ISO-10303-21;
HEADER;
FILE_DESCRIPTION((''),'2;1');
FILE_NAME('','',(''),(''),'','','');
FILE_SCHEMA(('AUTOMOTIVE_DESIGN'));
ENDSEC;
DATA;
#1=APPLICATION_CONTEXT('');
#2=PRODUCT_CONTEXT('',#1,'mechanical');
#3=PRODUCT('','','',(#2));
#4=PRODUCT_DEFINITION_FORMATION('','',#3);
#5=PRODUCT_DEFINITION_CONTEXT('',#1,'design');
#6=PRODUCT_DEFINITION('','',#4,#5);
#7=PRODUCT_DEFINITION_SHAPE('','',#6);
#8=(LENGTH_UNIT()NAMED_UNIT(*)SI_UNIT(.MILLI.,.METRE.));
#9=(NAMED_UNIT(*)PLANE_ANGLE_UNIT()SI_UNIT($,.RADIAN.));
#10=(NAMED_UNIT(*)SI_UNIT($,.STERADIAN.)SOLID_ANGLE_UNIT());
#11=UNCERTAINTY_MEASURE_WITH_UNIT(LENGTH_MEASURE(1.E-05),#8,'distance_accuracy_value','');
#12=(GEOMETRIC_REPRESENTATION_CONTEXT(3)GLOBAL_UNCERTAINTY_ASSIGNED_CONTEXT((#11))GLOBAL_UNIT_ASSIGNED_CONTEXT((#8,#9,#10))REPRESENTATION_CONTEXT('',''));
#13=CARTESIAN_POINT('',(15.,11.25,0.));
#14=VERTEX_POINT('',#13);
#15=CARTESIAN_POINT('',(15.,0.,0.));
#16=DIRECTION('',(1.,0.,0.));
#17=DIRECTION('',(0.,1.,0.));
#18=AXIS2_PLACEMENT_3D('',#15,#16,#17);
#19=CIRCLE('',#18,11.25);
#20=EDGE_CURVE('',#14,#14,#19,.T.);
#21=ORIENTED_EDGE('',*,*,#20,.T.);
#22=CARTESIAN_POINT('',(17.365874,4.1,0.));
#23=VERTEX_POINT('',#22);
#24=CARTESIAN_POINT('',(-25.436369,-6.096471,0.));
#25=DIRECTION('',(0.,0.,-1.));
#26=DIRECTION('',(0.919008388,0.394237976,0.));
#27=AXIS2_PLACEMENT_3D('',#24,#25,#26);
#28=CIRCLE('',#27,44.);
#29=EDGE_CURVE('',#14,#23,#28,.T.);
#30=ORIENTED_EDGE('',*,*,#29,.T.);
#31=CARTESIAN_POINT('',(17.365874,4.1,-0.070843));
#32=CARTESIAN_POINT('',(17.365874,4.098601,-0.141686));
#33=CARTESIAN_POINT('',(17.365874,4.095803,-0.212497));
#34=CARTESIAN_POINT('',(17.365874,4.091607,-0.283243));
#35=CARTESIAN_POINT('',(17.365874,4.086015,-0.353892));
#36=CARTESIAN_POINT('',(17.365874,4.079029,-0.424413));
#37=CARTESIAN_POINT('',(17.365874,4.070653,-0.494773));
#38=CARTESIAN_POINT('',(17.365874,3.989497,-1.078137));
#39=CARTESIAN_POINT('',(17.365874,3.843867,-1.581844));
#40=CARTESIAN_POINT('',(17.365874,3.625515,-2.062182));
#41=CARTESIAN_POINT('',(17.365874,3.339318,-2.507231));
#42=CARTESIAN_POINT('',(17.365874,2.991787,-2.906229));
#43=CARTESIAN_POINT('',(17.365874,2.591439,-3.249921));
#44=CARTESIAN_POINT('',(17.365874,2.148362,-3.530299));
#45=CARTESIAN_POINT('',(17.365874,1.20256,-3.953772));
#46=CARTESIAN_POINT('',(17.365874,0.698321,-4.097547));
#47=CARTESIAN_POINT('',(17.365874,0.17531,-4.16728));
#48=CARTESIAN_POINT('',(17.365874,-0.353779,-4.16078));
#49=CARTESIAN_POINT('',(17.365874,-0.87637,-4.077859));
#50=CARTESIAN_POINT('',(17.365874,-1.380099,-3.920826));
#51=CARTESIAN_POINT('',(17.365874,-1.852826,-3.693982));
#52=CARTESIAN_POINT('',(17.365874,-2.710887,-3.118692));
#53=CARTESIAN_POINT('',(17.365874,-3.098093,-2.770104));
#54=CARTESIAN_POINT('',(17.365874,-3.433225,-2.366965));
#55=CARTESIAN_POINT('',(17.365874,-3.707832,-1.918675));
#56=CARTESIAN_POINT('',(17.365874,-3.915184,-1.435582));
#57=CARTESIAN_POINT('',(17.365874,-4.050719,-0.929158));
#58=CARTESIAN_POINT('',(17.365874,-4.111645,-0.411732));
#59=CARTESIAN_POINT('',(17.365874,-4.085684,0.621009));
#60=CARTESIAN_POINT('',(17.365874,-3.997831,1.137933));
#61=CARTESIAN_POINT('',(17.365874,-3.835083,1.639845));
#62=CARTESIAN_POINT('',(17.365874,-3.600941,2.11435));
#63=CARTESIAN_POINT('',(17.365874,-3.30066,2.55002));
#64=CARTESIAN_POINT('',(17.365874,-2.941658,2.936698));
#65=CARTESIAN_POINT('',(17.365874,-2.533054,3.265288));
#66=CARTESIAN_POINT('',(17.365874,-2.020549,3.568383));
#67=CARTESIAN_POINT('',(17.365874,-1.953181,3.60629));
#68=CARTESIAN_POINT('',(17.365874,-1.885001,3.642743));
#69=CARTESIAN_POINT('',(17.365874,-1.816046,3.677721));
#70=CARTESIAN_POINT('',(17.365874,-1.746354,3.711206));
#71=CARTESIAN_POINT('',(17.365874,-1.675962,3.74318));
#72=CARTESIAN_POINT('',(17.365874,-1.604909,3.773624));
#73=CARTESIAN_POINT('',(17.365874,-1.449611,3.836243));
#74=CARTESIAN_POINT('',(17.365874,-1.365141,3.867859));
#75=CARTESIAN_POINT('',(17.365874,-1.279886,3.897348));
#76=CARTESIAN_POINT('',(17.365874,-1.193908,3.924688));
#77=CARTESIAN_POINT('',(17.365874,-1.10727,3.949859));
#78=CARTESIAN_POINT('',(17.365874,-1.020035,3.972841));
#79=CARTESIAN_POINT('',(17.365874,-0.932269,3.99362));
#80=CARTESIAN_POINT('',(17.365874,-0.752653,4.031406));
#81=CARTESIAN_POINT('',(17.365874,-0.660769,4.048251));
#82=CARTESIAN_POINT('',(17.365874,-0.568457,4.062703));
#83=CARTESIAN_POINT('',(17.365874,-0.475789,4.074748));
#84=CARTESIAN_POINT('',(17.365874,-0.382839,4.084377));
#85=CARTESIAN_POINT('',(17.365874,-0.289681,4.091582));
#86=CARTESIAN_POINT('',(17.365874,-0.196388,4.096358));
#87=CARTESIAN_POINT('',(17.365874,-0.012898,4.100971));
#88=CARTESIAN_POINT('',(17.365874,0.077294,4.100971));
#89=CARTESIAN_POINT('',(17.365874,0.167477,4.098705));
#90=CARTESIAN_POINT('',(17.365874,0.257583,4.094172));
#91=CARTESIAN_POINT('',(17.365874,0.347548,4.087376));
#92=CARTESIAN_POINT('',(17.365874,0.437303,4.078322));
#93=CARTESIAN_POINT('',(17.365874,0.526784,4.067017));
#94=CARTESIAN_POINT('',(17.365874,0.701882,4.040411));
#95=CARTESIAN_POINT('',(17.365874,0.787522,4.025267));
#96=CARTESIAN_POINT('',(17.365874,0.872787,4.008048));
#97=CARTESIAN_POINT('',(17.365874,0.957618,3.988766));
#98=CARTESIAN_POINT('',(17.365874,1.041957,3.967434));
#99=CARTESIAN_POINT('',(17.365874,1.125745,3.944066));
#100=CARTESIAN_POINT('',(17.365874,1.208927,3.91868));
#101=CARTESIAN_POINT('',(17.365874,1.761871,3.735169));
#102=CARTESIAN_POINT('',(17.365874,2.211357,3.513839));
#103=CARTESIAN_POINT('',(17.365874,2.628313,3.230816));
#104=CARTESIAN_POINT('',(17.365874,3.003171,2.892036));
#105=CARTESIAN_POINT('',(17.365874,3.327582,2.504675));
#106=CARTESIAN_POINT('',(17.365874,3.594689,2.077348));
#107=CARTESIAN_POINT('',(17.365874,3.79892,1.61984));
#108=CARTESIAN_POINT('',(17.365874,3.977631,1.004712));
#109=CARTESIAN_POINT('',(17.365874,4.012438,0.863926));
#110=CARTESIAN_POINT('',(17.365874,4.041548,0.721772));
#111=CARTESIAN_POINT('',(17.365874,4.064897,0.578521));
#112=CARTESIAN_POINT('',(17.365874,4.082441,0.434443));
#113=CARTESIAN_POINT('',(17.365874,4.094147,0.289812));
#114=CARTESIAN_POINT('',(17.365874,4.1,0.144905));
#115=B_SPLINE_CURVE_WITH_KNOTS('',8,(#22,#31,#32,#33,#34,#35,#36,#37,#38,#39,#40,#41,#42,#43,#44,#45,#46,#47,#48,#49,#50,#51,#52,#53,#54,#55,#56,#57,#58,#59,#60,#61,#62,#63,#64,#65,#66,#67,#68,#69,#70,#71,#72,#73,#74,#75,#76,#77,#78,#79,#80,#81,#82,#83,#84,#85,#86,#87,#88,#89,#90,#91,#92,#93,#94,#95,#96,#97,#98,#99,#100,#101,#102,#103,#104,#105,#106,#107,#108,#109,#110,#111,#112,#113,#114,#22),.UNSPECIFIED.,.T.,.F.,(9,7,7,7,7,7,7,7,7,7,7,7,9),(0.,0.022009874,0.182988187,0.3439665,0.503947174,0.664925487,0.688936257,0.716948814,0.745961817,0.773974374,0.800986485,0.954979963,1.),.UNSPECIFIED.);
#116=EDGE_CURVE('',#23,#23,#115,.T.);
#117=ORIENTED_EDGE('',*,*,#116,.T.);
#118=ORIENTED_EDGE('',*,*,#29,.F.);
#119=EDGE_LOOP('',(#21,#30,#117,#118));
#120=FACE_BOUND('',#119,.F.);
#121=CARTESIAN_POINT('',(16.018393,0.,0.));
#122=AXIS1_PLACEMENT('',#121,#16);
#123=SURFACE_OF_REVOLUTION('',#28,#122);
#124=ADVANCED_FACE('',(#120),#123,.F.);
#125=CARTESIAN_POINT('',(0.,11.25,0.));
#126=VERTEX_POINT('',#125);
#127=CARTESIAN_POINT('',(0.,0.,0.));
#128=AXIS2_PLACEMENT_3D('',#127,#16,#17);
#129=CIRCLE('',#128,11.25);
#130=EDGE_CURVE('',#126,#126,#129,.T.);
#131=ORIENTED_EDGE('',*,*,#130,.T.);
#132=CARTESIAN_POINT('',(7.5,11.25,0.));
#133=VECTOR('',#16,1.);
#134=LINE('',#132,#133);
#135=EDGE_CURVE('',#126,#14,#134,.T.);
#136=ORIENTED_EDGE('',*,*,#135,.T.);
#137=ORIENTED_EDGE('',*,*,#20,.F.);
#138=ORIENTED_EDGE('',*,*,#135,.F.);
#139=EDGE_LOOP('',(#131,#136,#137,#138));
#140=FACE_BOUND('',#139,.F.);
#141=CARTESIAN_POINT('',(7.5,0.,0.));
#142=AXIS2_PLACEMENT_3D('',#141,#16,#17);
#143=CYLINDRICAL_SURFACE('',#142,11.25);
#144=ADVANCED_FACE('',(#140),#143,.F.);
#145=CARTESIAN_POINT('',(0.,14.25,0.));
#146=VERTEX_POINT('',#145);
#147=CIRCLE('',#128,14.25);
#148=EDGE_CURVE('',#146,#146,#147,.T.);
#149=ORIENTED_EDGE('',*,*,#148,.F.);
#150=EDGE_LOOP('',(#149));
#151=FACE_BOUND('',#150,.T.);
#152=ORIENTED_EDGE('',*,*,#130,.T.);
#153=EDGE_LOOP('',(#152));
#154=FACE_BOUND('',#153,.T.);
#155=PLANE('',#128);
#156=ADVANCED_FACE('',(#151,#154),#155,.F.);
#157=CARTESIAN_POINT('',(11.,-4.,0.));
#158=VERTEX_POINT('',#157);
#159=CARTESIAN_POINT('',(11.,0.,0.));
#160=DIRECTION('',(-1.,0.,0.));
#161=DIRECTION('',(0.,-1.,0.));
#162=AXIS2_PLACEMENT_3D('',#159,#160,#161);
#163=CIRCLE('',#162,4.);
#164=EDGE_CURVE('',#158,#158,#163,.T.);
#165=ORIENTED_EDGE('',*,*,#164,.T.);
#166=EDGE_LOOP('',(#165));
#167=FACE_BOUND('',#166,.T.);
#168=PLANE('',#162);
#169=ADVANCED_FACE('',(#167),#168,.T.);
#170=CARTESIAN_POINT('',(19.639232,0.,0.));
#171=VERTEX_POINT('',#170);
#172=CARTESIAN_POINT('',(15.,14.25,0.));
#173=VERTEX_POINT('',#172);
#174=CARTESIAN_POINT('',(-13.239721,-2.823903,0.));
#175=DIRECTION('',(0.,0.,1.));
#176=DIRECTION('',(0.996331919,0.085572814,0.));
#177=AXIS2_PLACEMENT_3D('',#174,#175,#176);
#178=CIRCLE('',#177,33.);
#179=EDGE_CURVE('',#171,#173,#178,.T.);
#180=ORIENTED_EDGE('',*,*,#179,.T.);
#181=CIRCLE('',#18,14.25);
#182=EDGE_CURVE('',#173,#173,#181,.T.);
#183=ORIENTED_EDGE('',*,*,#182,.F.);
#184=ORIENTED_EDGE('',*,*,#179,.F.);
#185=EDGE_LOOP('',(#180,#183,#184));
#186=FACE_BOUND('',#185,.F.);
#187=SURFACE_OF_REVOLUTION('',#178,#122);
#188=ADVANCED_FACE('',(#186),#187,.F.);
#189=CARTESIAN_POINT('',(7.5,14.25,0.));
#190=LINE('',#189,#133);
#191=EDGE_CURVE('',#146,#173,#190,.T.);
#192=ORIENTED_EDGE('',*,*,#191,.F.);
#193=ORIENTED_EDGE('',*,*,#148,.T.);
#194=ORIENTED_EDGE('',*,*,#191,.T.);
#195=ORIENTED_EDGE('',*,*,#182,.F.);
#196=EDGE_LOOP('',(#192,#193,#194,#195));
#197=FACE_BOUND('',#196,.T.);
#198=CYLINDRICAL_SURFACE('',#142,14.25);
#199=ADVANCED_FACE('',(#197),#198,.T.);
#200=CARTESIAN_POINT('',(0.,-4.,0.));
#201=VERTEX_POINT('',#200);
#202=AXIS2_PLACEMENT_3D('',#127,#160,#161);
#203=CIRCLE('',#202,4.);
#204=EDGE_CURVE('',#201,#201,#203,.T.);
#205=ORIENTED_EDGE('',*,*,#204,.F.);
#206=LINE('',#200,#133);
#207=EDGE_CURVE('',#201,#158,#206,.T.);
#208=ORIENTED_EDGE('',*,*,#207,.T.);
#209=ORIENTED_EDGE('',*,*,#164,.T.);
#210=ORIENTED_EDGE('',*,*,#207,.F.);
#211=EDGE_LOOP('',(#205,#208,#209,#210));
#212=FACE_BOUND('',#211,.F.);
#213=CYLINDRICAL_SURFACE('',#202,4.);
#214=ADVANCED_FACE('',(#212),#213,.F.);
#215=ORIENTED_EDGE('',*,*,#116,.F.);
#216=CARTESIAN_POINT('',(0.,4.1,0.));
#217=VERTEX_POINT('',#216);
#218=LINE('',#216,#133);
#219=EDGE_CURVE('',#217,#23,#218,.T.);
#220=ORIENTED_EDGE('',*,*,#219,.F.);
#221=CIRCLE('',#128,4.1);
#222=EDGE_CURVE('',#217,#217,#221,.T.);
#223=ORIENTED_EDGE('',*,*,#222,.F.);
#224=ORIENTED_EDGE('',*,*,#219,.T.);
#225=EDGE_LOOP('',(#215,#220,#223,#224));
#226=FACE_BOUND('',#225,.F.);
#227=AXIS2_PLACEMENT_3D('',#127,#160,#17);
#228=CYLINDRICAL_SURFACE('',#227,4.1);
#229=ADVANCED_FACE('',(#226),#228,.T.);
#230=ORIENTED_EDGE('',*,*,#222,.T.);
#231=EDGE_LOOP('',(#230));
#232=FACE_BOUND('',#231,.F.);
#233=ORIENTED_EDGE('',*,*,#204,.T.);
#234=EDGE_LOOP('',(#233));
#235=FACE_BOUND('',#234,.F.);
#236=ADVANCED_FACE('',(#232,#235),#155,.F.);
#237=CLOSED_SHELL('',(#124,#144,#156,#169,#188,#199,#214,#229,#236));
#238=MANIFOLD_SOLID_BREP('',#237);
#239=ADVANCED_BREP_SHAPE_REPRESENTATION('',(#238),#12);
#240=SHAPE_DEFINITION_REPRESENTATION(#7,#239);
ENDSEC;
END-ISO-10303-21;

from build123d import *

# Parameters (mm, degrees)
F0_W     = 15
F0_H     = 3
F2_R     = 4.1
F4_R     = 4
F5_DEPTH = 11


with BuildPart() as f1:
    # F0 (on Top) → F1 (revolve)
    with BuildSketch(Plane.XY):
        with Locations((7.5, 12.75)):
            Rectangle(F0_W, F0_H)
        with BuildLine():
            ThreePointArc((19.6392323583, 0), (18.1392323583, 7.3918343789), (15, 14.25))
            Line((15, 14.25), (15, 11.25))
            ThreePointArc((15, 11.25), (16.9445632196, 5.7296263006), (18.1392323583, 0))
            Line((18.1392323583, 0), (19.6392323583, 0))
        make_face()
    revolve(axis=Axis((16.0183925182, 0, 0), (1, 0, 0)))

    # F2 (on Right) → F3 (join, up to the next surface of F1)
    with BuildSketch(Plane.YZ):
        Circle(F2_R)
    extrude(until=Until.NEXT)

    # F4 (on face) → F5 (cut)
    with BuildSketch(Plane(origin=(0, 0, 0), x_dir=(0, -1, 0), z_dir=(-1, 0, 0))):
        Circle(F4_R)
    extrude(amount=-F5_DEPTH, mode=Mode.SUBTRACT)


solid = f1.part
